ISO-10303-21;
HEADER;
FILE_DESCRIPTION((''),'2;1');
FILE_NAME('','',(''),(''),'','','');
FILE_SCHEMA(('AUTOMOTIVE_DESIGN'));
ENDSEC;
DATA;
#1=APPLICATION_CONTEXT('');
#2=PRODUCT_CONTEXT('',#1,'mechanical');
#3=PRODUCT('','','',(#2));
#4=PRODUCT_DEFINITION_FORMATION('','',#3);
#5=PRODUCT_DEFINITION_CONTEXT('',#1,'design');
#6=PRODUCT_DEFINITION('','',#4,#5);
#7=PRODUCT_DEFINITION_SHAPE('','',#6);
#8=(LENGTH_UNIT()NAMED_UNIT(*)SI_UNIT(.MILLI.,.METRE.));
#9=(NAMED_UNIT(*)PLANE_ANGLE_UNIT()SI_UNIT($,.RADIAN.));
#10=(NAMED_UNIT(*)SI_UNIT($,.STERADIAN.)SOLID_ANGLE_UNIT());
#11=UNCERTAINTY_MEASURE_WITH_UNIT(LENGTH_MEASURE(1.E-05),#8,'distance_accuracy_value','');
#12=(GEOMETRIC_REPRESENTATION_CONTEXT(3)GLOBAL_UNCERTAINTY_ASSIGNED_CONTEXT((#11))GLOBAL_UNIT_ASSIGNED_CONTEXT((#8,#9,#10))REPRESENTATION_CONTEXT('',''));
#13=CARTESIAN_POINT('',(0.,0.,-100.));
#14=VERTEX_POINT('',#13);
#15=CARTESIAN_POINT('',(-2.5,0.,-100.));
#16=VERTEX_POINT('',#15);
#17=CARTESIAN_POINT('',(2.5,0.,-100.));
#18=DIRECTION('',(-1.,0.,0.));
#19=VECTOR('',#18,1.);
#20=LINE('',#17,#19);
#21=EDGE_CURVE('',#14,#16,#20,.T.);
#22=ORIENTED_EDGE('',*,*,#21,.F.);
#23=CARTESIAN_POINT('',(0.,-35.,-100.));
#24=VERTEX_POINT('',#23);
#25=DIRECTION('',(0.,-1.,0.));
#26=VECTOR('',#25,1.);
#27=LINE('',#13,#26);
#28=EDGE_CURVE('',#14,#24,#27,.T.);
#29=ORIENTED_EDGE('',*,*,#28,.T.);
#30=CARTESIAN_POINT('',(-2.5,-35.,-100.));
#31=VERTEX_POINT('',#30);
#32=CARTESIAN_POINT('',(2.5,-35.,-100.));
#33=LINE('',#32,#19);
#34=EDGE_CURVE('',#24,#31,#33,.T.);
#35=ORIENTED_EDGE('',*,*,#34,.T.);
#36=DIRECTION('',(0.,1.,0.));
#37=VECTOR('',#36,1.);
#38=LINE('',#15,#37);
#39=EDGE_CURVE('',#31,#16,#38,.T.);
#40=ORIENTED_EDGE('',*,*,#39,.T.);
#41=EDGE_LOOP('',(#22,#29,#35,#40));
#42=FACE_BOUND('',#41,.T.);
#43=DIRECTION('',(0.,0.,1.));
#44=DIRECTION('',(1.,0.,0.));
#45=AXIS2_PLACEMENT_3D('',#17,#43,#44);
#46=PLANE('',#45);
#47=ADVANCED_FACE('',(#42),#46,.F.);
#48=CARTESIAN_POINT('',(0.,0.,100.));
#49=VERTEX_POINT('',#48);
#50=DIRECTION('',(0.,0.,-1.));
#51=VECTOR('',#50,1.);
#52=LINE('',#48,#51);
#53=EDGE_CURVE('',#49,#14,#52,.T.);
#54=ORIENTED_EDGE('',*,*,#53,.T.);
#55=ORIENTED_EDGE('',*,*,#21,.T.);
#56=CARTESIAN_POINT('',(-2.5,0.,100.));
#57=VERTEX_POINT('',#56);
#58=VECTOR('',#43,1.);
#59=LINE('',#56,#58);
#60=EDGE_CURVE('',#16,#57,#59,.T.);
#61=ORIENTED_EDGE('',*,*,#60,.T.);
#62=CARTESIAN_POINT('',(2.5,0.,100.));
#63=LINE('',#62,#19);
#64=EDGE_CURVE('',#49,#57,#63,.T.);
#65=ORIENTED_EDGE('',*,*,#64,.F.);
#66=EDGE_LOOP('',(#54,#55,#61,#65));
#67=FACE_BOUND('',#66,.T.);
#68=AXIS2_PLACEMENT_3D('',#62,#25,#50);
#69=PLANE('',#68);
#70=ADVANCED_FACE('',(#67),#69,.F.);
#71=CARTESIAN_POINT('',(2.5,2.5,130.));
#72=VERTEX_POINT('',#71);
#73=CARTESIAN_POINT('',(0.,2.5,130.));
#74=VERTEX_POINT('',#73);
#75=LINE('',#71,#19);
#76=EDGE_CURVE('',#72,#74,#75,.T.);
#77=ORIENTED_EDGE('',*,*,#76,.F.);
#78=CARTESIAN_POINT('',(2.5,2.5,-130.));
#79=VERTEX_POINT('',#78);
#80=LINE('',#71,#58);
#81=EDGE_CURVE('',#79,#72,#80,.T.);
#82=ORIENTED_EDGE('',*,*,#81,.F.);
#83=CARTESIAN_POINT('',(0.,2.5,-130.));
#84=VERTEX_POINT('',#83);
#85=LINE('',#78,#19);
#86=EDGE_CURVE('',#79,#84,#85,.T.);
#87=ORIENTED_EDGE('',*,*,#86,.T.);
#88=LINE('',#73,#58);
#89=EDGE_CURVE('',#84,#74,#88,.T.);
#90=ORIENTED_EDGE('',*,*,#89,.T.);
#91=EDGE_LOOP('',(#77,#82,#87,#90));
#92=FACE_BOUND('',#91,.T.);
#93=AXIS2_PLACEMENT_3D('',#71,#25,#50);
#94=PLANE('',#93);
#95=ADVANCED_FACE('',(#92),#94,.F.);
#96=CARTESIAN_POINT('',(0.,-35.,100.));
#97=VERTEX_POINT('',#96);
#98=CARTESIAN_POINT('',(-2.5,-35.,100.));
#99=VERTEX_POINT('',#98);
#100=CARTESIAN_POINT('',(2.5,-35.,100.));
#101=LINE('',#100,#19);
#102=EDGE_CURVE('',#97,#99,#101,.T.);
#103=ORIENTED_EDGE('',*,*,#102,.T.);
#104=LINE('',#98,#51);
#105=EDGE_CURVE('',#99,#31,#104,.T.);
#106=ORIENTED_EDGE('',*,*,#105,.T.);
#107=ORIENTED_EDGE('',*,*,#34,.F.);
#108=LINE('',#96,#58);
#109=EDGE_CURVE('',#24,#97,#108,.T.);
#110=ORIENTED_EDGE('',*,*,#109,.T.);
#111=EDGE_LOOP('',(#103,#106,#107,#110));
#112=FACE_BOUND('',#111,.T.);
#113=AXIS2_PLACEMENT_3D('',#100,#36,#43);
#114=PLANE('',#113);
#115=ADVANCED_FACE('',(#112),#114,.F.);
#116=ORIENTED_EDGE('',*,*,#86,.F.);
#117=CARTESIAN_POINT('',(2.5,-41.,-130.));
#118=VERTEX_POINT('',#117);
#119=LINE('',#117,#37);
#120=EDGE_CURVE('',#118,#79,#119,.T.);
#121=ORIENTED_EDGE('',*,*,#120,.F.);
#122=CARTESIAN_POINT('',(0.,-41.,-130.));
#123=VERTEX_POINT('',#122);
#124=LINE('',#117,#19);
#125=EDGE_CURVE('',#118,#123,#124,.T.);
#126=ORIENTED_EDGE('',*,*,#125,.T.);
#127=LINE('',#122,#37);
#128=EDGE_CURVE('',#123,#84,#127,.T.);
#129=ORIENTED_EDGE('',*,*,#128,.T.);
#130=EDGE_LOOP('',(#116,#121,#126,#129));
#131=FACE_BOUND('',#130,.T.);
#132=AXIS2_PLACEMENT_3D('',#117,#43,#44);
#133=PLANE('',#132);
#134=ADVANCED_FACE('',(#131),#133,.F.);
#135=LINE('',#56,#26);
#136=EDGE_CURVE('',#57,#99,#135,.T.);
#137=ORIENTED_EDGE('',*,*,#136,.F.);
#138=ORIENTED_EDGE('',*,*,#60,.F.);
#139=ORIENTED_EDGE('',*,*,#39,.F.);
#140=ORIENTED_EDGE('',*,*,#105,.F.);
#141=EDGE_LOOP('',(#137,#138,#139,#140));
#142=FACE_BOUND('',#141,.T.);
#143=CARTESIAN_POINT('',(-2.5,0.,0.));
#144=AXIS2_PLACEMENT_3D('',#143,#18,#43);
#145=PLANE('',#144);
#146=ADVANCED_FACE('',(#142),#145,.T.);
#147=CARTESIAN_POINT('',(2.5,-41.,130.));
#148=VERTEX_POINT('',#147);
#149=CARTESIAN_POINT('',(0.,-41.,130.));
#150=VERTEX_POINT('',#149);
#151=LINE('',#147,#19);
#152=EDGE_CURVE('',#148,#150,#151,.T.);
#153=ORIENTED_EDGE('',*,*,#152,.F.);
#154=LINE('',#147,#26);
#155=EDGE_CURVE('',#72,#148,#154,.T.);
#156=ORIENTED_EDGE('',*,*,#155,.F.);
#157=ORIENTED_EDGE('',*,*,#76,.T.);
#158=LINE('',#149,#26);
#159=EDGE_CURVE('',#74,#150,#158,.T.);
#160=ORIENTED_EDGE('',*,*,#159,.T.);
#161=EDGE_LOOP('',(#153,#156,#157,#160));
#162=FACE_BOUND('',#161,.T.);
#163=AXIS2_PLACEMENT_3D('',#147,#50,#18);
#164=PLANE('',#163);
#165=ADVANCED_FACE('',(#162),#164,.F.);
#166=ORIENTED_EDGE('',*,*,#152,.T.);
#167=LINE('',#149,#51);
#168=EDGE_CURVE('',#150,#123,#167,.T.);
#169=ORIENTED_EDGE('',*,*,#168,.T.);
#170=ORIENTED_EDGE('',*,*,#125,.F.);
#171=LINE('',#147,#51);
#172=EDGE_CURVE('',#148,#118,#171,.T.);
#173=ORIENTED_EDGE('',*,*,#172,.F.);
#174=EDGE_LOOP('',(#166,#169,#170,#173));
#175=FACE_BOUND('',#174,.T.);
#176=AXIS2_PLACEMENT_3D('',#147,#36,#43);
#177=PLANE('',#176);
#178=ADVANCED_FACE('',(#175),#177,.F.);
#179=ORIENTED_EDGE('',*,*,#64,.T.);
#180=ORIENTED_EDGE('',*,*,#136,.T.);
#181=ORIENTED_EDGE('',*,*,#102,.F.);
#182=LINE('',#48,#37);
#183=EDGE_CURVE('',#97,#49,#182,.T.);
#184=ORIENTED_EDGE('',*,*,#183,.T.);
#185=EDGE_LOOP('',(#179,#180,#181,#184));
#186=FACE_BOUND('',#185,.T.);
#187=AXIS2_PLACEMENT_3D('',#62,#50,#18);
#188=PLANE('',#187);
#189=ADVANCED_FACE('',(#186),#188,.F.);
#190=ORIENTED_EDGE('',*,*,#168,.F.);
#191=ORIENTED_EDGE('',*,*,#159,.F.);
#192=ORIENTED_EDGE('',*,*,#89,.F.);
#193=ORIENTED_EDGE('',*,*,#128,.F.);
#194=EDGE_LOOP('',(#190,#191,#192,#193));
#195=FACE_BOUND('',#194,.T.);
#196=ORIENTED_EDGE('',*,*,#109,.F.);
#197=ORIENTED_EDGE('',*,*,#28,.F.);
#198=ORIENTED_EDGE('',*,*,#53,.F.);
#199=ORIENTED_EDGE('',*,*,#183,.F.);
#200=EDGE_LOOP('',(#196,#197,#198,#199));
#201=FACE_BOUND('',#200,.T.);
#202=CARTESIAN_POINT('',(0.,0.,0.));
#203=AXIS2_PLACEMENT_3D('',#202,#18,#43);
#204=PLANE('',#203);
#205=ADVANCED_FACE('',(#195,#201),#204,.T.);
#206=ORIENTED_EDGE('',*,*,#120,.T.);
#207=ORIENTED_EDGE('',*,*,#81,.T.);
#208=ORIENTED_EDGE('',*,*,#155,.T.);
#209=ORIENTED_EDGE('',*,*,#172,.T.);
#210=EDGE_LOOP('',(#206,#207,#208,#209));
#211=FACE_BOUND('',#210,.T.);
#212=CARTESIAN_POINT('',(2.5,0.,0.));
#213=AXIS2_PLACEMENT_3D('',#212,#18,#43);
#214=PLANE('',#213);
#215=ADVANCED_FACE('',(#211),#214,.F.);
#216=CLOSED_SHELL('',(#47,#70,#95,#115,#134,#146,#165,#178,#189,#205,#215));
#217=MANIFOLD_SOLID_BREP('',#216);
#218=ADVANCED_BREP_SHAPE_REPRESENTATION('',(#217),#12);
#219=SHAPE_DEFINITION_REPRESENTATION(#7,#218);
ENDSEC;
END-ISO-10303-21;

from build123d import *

# Parameters (mm, degrees)
SKETCH1_W           = 35
SKETCH1_H           = 200
BOSS_EXTRUDE1_DEPTH = 2.5
SKETCH2_W           = 260
SKETCH2_H           = 43.5
BOSS_EXTRUDE2_DEPTH = 2.5


with BuildPart() as part:
    # Sketch1 → Boss-Extrude1 (new body, symmetric)
    with BuildSketch(Plane.YZ):
        with Locations((-17.5, 0)):
            Rectangle(SKETCH1_W, SKETCH1_H)
    extrude(amount=BOSS_EXTRUDE1_DEPTH, both=True)

    # Sketch2 → Boss-Extrude2 (add)
    with BuildSketch(Plane(origin=(0, 0, 0), x_dir=(0, 0, -1), z_dir=(1, 0, 0))):
        with Locations((0, -19.25)):
            Rectangle(SKETCH2_W, SKETCH2_H)
    extrude(amount=BOSS_EXTRUDE2_DEPTH)


solid = part.part
